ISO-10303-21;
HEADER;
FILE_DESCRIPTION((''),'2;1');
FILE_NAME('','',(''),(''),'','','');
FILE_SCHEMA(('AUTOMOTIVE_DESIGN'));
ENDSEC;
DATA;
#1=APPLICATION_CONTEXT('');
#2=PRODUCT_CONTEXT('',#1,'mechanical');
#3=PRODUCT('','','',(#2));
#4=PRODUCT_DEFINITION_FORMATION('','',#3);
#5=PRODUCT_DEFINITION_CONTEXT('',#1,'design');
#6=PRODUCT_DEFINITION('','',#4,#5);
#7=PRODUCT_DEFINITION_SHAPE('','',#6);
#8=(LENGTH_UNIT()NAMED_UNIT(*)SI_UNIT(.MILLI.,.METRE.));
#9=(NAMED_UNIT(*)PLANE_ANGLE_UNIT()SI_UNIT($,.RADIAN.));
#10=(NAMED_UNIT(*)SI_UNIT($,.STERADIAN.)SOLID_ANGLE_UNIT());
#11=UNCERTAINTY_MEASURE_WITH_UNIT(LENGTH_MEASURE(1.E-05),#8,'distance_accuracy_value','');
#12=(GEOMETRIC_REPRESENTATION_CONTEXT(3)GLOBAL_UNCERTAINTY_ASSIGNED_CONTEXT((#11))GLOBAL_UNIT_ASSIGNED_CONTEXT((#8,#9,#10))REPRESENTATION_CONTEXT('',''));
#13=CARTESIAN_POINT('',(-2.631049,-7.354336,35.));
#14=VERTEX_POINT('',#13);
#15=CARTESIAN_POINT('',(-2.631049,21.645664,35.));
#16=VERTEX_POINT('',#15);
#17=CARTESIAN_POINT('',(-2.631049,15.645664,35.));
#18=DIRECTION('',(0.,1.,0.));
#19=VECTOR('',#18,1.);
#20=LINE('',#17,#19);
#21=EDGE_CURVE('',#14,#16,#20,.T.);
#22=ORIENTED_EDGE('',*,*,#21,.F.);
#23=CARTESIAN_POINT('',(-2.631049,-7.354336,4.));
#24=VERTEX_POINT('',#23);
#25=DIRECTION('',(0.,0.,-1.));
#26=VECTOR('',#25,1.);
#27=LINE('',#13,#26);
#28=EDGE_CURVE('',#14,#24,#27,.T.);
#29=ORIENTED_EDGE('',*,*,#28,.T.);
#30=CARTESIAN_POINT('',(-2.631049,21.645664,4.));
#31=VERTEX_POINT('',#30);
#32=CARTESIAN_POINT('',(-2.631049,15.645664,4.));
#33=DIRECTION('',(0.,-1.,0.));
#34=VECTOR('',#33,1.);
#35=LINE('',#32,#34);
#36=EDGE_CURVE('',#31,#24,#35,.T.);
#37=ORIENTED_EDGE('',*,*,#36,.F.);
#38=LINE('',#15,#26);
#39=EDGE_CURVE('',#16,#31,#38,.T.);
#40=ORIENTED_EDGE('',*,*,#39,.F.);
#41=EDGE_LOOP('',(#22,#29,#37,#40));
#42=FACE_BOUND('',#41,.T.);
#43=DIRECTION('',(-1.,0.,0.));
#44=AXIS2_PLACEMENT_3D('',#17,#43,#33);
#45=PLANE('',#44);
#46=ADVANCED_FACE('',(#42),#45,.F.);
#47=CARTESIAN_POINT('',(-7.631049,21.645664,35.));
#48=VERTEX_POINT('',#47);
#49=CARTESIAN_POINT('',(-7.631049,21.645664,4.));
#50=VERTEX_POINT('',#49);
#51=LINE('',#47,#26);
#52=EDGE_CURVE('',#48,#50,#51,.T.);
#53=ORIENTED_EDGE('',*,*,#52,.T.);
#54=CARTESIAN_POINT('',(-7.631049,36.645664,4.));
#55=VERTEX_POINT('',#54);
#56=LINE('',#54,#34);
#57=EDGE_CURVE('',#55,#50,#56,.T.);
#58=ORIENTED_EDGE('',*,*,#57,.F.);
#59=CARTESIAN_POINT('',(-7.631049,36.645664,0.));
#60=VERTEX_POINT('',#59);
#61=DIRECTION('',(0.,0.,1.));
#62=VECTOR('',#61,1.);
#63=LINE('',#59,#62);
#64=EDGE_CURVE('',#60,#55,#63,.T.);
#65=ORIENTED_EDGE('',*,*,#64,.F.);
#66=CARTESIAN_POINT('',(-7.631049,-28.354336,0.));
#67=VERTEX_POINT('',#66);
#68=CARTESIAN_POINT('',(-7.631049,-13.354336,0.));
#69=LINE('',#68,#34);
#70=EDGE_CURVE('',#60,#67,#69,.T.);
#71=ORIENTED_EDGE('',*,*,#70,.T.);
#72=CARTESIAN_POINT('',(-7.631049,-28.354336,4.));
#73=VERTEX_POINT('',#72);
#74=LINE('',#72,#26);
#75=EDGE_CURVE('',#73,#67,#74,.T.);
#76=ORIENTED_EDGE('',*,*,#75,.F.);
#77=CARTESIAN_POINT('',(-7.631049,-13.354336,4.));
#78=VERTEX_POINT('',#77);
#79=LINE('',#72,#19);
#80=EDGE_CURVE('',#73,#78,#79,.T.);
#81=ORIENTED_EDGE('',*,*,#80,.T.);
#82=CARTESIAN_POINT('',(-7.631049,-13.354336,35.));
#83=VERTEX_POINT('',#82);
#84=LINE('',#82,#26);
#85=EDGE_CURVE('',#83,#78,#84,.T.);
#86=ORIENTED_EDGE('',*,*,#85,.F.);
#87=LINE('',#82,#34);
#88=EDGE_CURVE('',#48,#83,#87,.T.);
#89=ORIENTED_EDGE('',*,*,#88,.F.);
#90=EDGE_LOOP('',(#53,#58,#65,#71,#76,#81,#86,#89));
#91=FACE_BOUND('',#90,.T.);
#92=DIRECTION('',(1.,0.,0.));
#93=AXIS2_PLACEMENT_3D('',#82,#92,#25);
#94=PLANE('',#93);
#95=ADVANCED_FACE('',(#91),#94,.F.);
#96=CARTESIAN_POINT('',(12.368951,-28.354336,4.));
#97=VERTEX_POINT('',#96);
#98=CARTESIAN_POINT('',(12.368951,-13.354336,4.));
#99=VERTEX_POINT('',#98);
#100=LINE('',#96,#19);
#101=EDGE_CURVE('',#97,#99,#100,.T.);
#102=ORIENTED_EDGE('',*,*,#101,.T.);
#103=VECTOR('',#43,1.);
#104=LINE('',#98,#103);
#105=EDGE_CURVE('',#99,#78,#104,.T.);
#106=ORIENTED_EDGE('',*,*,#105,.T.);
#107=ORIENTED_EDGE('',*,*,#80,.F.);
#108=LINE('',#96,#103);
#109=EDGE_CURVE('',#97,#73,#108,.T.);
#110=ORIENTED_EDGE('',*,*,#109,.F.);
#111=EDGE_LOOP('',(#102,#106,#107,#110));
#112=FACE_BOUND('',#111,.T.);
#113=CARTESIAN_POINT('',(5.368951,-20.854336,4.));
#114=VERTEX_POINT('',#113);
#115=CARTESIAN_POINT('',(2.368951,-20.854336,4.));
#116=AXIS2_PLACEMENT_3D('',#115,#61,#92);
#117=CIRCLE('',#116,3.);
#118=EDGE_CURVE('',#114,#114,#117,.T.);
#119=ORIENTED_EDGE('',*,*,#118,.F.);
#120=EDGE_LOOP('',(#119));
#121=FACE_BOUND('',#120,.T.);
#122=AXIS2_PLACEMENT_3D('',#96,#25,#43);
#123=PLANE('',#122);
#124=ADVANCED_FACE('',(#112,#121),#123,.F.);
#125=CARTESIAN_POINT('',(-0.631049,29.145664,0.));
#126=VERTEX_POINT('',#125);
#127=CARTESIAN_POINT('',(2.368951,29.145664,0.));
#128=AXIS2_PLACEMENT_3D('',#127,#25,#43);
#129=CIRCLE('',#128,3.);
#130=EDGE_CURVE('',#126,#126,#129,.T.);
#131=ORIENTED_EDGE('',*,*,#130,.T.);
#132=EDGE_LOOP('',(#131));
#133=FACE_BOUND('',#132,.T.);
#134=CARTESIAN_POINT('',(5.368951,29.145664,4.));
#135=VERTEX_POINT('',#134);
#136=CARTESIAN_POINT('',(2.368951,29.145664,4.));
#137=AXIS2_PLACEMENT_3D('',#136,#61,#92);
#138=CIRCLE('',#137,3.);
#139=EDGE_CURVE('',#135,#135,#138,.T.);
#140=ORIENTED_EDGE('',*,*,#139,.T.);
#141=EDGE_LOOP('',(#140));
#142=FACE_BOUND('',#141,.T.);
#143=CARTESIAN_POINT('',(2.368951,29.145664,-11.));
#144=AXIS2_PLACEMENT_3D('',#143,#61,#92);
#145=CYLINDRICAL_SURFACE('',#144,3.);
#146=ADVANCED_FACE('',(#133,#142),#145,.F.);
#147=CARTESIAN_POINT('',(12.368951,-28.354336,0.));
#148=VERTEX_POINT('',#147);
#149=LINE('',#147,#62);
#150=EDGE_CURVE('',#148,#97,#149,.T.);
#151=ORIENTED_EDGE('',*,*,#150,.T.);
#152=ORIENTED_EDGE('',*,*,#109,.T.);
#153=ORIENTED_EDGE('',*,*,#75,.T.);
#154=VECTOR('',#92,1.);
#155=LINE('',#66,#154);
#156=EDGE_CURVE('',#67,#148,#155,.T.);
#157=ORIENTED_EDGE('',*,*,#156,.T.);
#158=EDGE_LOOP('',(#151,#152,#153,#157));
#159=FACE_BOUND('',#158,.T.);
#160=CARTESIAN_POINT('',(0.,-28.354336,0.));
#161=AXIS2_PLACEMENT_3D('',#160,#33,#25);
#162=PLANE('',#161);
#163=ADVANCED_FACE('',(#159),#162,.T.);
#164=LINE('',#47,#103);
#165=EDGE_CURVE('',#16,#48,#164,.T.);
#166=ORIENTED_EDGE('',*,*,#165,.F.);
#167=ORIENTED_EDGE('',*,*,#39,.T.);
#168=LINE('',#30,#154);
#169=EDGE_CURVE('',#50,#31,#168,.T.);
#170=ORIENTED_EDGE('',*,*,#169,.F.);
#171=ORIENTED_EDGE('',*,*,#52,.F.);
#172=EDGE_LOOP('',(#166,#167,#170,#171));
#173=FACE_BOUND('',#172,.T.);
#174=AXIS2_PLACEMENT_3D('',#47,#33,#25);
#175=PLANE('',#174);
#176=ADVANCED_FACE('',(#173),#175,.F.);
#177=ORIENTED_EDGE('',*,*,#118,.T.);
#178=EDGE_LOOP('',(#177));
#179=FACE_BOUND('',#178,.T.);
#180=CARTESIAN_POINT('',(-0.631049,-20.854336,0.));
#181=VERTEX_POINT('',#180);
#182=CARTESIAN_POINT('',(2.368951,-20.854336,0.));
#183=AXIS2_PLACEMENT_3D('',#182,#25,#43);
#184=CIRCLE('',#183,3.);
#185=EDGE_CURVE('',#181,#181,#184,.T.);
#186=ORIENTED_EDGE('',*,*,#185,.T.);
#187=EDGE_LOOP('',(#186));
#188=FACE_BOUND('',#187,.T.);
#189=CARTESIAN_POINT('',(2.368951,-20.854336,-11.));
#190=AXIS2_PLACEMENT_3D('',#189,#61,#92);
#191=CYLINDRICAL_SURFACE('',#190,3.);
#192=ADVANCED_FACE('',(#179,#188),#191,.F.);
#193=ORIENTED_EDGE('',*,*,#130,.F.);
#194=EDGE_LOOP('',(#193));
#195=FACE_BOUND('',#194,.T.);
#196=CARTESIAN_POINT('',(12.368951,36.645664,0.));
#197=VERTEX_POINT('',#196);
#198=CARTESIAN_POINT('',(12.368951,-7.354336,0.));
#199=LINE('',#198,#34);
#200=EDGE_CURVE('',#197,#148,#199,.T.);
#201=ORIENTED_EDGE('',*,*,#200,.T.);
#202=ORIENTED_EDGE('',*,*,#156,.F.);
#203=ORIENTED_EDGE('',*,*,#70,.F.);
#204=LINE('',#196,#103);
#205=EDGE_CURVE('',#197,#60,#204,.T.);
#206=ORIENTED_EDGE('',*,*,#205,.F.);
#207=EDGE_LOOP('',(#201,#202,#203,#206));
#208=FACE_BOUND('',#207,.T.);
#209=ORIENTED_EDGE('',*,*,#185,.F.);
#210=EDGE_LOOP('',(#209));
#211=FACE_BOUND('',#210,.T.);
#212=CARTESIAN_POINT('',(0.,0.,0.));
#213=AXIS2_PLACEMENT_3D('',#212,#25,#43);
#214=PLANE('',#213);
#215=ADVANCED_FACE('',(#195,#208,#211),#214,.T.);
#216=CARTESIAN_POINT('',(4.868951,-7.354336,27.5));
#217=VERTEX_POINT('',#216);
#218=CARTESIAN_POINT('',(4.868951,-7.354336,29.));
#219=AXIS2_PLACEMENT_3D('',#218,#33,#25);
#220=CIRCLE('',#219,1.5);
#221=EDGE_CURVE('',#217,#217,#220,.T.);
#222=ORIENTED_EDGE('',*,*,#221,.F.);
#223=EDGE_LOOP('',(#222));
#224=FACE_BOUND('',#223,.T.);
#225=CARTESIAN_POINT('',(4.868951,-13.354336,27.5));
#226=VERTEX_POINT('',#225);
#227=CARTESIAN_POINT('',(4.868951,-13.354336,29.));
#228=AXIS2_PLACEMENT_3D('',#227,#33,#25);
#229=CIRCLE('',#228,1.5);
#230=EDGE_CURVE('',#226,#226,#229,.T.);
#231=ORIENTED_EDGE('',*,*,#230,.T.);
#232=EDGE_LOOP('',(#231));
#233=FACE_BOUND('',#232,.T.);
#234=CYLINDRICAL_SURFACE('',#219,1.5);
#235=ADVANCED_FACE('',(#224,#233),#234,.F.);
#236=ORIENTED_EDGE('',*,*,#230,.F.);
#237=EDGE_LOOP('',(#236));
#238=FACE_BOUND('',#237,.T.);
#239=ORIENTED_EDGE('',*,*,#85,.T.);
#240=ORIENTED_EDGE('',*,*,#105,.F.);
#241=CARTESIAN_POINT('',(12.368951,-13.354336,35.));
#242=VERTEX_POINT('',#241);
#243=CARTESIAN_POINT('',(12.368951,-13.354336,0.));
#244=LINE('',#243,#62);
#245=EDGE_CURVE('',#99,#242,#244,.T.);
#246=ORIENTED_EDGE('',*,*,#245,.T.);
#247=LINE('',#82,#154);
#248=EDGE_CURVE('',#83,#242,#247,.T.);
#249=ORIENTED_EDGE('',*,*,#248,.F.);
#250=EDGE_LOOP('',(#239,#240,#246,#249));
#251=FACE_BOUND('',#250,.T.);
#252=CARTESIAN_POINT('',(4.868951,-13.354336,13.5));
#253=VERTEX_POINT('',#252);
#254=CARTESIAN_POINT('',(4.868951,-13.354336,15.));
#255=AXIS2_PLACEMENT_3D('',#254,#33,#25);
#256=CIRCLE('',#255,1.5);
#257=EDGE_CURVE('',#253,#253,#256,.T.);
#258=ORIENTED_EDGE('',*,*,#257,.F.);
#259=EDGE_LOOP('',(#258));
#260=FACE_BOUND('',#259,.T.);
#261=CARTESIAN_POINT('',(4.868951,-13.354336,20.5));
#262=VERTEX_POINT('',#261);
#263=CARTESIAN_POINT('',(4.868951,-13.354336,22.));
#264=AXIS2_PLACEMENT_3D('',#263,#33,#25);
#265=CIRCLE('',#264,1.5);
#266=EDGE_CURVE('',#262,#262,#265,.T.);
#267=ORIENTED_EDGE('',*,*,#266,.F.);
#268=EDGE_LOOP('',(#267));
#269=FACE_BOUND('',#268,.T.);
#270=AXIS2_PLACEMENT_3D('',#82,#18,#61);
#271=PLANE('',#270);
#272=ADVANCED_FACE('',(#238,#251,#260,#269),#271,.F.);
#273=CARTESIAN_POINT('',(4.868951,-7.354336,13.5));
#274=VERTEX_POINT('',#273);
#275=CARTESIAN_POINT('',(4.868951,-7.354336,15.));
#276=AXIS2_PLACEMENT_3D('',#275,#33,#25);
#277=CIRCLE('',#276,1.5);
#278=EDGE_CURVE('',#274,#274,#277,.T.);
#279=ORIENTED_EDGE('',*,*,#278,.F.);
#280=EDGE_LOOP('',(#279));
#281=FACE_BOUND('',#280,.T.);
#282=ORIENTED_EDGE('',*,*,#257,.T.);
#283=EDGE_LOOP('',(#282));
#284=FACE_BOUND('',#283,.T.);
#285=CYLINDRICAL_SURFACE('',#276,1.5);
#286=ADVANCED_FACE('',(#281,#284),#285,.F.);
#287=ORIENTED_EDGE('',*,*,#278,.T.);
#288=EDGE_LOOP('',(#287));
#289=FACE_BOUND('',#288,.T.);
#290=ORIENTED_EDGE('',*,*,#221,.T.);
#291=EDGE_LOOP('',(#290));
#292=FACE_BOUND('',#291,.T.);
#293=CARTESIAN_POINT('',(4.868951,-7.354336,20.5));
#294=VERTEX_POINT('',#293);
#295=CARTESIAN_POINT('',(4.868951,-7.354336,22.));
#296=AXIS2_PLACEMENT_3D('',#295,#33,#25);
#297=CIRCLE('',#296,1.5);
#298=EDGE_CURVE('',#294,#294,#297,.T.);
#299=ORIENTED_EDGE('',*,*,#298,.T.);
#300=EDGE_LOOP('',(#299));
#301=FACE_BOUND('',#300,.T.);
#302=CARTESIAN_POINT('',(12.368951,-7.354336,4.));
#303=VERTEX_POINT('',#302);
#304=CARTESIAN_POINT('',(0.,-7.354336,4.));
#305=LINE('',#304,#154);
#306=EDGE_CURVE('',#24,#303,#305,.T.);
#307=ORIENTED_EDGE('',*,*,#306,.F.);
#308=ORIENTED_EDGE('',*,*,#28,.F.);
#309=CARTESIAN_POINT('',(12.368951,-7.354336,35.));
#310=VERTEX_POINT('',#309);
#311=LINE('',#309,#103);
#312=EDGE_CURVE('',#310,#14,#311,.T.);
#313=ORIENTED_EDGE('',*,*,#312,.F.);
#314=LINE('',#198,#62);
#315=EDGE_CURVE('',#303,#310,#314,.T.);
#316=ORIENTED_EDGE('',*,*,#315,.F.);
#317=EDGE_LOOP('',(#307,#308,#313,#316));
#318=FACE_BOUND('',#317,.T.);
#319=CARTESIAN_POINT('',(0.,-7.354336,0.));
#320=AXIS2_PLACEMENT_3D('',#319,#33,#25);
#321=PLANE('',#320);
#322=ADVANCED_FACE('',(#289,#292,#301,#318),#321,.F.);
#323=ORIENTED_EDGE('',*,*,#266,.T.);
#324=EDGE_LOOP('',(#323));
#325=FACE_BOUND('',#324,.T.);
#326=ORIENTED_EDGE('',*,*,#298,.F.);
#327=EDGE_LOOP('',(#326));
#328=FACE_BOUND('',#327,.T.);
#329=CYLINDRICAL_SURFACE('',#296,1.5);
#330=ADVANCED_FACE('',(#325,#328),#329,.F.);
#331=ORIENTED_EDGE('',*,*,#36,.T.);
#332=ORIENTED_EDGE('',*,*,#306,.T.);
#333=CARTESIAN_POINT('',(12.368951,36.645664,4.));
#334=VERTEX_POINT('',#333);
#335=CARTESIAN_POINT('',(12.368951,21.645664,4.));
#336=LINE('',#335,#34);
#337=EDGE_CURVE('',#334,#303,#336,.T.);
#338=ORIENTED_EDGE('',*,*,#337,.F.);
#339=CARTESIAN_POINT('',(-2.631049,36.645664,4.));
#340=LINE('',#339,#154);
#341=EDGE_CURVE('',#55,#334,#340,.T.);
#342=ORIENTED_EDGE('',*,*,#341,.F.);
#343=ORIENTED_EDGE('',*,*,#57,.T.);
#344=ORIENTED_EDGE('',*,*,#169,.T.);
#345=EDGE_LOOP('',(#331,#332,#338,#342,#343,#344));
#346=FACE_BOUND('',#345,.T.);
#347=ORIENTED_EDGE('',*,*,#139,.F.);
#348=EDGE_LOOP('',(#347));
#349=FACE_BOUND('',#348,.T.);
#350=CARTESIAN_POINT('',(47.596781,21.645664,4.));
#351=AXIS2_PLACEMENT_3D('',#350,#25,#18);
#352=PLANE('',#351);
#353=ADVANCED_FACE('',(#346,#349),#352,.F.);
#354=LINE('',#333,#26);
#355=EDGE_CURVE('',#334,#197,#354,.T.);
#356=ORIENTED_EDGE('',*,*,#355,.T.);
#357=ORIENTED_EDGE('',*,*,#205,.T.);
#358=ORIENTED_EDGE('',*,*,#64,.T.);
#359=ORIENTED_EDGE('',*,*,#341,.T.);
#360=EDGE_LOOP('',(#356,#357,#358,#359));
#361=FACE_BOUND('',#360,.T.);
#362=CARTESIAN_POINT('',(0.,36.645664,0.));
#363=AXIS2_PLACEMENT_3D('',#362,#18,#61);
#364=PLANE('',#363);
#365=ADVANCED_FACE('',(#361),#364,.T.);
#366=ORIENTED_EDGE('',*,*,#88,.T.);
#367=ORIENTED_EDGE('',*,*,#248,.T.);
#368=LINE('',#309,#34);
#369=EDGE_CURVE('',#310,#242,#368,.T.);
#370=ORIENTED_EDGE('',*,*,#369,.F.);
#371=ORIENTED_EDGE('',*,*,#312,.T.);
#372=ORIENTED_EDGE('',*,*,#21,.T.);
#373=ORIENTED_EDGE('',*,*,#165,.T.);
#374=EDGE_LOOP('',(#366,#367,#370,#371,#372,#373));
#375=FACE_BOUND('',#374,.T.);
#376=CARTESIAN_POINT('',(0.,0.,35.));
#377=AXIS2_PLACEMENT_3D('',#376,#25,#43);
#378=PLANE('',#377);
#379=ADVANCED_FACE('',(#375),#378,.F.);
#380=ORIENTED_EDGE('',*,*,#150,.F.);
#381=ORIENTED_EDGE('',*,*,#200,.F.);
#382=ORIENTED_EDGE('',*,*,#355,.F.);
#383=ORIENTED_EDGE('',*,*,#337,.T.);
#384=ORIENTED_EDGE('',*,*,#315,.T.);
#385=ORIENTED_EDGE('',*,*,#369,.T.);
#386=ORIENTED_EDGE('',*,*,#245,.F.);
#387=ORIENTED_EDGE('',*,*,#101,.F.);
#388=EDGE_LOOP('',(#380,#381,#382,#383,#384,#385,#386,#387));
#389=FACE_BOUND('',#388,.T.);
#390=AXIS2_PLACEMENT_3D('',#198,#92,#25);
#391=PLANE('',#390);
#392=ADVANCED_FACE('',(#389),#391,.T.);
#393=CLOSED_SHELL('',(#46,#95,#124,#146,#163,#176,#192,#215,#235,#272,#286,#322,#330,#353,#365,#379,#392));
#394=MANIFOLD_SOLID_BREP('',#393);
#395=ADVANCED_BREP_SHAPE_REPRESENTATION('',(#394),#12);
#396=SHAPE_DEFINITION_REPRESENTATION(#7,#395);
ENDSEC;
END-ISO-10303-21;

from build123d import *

# Parameters (mm, degrees)
BOSS_EXTRUDE1_DEPTH = 35
SKETCH3_R           = 1.5
CUT_EXTRUDE1_DEPTH  = 15
LPATTERN1_COUNT     = 3
LPATTERN1_PITCH     = 7
SKETCH6_W           = 15
SKETCH6_H           = 35
SKETCH6_R           = 1.5
BOSS_EXTRUDE4_DEPTH = 6
SKETCH7_W           = 15
SKETCH7_H           = 35
CUT_EXTRUDE2_DEPTH  = 8
SKETCH2_W           = 4
SKETCH2_H           = 35
BOSS_EXTRUDE5_DEPTH = 20
BOSS_EXTRUDE6_DEPTH = 15
SKETCH10_W          = 20
SKETCH10_H          = 4
BOSS_EXTRUDE7_DEPTH = 15
SKETCH11_R          = 3
CUT_EXTRUDE3_DEPTH  = 15


with BuildPart() as part:
    # Sketch1 → Boss-Extrude1 (new body)
    with BuildSketch(Plane.XY):
        Polygon((12.368951074, 15.64566438), (-2.631048926, 15.64566438), (-2.631048926, -13.35433562), (-7.631048926, -13.35433562), (-7.631048926, 21.64566438), (12.368951074, 21.64566438), align=None)
    extrude(amount=BOSS_EXTRUDE1_DEPTH)

    # Sketch3 → Cut-Extrude1 (cut)
    with BuildSketch(Plane.XZ.offset(-15.64566438)):
        with Locations((4.868951074, 29)):
            Circle(SKETCH3_R)
    cut_extrude1 = extrude(amount=-CUT_EXTRUDE1_DEPTH, mode=Mode.SUBTRACT)

    # LPattern1: Cut-Extrude1 ×3
    with Locations(*[(0, 0, -i * LPATTERN1_PITCH) for i in range(1, LPATTERN1_COUNT)]):
        add(cut_extrude1, mode=Mode.SUBTRACT)

    # Sketch6 → Boss-Extrude4 (add)
    with BuildSketch(Plane.XZ.offset(13.35433562)):
        with Locations((4.868951074, 17.5)):
            Rectangle(SKETCH6_W, SKETCH6_H)
        with Locations((4.868951074, 15)):
            Circle(SKETCH6_R, mode=Mode.SUBTRACT)
        with Locations((4.868951074, 29)):
            Circle(SKETCH6_R, mode=Mode.SUBTRACT)
        with Locations((4.868951074, 22)):
            Circle(SKETCH6_R, mode=Mode.SUBTRACT)
    extrude(amount=-BOSS_EXTRUDE4_DEPTH)

    # Sketch7 → Cut-Extrude2 (cut)
    with BuildSketch(Plane.XZ.offset(-15.64566438)):
        with Locations((4.868951074, 17.5)):
            Rectangle(SKETCH7_W, SKETCH7_H)
    extrude(amount=-CUT_EXTRUDE2_DEPTH, mode=Mode.SUBTRACT)

    # Sketch2 → Boss-Extrude5 (add)
    with BuildSketch(Plane.ZY.offset(7.631048926)):
        with Locations((2, 4.14566438)):
            Rectangle(SKETCH2_W, SKETCH2_H)
    extrude(amount=-BOSS_EXTRUDE5_DEPTH)

    # Sketch9 → Boss-Extrude6 (add)
    with BuildSketch(Plane(origin=(0, 21.64566438, 0), x_dir=(1, 0, 0), z_dir=(0, 1, 0))):
        Polygon((-2.631048926, -4), (-7.631048926, -4), (-7.631048926, 0), (12.368951074, 0), (12.368951074, -4), align=None)
    extrude(amount=BOSS_EXTRUDE6_DEPTH)

    # Sketch10 → Boss-Extrude7 (add)
    with BuildSketch(Plane.XZ.offset(13.35433562)):
        with Locations((2.368951074, 2)):
            Rectangle(SKETCH10_W, SKETCH10_H)
    extrude(amount=BOSS_EXTRUDE7_DEPTH)

    # Sketch11 → Cut-Extrude3 (cut)
    with BuildSketch(Plane.XY.offset(4)):
        with Locations((2.368951074, -20.85433562)):
            Circle(SKETCH11_R)
        with Locations((2.368951074, 29.14566438)):
            Circle(SKETCH11_R)
    extrude(amount=-CUT_EXTRUDE3_DEPTH, mode=Mode.SUBTRACT)


solid = part.part
